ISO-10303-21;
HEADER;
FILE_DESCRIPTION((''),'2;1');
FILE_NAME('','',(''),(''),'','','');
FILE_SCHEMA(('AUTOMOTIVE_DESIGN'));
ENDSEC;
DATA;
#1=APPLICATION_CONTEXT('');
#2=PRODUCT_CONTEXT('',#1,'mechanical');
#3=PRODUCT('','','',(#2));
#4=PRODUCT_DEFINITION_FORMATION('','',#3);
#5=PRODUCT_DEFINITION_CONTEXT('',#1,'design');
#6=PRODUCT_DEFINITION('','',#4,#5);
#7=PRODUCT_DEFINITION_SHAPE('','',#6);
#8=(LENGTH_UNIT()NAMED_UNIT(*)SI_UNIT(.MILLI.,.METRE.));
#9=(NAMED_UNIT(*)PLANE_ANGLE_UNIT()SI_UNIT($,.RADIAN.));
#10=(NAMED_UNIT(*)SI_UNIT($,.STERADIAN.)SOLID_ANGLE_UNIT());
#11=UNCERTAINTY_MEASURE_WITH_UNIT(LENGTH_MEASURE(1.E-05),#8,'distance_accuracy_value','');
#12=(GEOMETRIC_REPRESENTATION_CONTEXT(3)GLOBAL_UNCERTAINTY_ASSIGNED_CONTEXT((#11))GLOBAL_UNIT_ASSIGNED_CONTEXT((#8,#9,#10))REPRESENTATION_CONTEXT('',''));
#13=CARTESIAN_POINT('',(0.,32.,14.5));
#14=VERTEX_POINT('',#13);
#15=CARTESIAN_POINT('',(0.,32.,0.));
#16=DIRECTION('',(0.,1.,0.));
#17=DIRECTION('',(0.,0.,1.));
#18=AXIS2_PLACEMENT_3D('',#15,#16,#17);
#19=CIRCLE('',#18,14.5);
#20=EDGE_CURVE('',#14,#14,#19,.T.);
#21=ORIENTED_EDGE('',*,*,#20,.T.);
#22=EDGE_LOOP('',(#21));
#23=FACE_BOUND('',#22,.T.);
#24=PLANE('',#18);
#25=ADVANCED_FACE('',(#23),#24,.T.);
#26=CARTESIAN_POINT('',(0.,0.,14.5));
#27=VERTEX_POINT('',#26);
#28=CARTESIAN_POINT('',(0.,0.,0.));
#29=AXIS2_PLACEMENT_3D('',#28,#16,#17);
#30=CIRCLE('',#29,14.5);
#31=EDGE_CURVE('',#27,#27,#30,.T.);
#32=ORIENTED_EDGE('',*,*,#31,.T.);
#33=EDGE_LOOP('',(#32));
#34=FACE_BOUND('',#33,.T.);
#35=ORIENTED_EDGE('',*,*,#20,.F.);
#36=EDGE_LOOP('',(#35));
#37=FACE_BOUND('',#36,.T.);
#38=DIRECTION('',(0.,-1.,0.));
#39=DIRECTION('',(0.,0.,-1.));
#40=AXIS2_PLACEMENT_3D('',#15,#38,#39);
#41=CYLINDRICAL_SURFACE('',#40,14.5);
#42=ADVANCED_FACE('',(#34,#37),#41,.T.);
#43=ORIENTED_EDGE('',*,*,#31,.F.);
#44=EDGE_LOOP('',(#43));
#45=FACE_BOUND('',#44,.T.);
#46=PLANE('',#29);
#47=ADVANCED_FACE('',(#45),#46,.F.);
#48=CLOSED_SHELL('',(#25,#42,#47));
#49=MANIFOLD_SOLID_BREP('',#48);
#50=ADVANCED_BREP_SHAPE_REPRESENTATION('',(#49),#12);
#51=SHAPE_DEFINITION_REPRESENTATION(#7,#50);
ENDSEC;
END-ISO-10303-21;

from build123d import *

# Parameters (mm, degrees)
SCHIZZO1_R                   = 14.5
ESTRUSIONE_ESTRUSIONE1_DEPTH = 32


with BuildPart() as part:
    # Schizzo1 → Estrusione-Estrusione1 (new body)
    with BuildSketch(Plane(origin=(0, 0, 0), x_dir=(1, 0, 0), z_dir=(0, 1, 0))):
        with Locations(Location((0, 0, 0), (0, 0, 270))):
            Circle(SCHIZZO1_R)
    extrude(amount=ESTRUSIONE_ESTRUSIONE1_DEPTH)


solid = part.part
